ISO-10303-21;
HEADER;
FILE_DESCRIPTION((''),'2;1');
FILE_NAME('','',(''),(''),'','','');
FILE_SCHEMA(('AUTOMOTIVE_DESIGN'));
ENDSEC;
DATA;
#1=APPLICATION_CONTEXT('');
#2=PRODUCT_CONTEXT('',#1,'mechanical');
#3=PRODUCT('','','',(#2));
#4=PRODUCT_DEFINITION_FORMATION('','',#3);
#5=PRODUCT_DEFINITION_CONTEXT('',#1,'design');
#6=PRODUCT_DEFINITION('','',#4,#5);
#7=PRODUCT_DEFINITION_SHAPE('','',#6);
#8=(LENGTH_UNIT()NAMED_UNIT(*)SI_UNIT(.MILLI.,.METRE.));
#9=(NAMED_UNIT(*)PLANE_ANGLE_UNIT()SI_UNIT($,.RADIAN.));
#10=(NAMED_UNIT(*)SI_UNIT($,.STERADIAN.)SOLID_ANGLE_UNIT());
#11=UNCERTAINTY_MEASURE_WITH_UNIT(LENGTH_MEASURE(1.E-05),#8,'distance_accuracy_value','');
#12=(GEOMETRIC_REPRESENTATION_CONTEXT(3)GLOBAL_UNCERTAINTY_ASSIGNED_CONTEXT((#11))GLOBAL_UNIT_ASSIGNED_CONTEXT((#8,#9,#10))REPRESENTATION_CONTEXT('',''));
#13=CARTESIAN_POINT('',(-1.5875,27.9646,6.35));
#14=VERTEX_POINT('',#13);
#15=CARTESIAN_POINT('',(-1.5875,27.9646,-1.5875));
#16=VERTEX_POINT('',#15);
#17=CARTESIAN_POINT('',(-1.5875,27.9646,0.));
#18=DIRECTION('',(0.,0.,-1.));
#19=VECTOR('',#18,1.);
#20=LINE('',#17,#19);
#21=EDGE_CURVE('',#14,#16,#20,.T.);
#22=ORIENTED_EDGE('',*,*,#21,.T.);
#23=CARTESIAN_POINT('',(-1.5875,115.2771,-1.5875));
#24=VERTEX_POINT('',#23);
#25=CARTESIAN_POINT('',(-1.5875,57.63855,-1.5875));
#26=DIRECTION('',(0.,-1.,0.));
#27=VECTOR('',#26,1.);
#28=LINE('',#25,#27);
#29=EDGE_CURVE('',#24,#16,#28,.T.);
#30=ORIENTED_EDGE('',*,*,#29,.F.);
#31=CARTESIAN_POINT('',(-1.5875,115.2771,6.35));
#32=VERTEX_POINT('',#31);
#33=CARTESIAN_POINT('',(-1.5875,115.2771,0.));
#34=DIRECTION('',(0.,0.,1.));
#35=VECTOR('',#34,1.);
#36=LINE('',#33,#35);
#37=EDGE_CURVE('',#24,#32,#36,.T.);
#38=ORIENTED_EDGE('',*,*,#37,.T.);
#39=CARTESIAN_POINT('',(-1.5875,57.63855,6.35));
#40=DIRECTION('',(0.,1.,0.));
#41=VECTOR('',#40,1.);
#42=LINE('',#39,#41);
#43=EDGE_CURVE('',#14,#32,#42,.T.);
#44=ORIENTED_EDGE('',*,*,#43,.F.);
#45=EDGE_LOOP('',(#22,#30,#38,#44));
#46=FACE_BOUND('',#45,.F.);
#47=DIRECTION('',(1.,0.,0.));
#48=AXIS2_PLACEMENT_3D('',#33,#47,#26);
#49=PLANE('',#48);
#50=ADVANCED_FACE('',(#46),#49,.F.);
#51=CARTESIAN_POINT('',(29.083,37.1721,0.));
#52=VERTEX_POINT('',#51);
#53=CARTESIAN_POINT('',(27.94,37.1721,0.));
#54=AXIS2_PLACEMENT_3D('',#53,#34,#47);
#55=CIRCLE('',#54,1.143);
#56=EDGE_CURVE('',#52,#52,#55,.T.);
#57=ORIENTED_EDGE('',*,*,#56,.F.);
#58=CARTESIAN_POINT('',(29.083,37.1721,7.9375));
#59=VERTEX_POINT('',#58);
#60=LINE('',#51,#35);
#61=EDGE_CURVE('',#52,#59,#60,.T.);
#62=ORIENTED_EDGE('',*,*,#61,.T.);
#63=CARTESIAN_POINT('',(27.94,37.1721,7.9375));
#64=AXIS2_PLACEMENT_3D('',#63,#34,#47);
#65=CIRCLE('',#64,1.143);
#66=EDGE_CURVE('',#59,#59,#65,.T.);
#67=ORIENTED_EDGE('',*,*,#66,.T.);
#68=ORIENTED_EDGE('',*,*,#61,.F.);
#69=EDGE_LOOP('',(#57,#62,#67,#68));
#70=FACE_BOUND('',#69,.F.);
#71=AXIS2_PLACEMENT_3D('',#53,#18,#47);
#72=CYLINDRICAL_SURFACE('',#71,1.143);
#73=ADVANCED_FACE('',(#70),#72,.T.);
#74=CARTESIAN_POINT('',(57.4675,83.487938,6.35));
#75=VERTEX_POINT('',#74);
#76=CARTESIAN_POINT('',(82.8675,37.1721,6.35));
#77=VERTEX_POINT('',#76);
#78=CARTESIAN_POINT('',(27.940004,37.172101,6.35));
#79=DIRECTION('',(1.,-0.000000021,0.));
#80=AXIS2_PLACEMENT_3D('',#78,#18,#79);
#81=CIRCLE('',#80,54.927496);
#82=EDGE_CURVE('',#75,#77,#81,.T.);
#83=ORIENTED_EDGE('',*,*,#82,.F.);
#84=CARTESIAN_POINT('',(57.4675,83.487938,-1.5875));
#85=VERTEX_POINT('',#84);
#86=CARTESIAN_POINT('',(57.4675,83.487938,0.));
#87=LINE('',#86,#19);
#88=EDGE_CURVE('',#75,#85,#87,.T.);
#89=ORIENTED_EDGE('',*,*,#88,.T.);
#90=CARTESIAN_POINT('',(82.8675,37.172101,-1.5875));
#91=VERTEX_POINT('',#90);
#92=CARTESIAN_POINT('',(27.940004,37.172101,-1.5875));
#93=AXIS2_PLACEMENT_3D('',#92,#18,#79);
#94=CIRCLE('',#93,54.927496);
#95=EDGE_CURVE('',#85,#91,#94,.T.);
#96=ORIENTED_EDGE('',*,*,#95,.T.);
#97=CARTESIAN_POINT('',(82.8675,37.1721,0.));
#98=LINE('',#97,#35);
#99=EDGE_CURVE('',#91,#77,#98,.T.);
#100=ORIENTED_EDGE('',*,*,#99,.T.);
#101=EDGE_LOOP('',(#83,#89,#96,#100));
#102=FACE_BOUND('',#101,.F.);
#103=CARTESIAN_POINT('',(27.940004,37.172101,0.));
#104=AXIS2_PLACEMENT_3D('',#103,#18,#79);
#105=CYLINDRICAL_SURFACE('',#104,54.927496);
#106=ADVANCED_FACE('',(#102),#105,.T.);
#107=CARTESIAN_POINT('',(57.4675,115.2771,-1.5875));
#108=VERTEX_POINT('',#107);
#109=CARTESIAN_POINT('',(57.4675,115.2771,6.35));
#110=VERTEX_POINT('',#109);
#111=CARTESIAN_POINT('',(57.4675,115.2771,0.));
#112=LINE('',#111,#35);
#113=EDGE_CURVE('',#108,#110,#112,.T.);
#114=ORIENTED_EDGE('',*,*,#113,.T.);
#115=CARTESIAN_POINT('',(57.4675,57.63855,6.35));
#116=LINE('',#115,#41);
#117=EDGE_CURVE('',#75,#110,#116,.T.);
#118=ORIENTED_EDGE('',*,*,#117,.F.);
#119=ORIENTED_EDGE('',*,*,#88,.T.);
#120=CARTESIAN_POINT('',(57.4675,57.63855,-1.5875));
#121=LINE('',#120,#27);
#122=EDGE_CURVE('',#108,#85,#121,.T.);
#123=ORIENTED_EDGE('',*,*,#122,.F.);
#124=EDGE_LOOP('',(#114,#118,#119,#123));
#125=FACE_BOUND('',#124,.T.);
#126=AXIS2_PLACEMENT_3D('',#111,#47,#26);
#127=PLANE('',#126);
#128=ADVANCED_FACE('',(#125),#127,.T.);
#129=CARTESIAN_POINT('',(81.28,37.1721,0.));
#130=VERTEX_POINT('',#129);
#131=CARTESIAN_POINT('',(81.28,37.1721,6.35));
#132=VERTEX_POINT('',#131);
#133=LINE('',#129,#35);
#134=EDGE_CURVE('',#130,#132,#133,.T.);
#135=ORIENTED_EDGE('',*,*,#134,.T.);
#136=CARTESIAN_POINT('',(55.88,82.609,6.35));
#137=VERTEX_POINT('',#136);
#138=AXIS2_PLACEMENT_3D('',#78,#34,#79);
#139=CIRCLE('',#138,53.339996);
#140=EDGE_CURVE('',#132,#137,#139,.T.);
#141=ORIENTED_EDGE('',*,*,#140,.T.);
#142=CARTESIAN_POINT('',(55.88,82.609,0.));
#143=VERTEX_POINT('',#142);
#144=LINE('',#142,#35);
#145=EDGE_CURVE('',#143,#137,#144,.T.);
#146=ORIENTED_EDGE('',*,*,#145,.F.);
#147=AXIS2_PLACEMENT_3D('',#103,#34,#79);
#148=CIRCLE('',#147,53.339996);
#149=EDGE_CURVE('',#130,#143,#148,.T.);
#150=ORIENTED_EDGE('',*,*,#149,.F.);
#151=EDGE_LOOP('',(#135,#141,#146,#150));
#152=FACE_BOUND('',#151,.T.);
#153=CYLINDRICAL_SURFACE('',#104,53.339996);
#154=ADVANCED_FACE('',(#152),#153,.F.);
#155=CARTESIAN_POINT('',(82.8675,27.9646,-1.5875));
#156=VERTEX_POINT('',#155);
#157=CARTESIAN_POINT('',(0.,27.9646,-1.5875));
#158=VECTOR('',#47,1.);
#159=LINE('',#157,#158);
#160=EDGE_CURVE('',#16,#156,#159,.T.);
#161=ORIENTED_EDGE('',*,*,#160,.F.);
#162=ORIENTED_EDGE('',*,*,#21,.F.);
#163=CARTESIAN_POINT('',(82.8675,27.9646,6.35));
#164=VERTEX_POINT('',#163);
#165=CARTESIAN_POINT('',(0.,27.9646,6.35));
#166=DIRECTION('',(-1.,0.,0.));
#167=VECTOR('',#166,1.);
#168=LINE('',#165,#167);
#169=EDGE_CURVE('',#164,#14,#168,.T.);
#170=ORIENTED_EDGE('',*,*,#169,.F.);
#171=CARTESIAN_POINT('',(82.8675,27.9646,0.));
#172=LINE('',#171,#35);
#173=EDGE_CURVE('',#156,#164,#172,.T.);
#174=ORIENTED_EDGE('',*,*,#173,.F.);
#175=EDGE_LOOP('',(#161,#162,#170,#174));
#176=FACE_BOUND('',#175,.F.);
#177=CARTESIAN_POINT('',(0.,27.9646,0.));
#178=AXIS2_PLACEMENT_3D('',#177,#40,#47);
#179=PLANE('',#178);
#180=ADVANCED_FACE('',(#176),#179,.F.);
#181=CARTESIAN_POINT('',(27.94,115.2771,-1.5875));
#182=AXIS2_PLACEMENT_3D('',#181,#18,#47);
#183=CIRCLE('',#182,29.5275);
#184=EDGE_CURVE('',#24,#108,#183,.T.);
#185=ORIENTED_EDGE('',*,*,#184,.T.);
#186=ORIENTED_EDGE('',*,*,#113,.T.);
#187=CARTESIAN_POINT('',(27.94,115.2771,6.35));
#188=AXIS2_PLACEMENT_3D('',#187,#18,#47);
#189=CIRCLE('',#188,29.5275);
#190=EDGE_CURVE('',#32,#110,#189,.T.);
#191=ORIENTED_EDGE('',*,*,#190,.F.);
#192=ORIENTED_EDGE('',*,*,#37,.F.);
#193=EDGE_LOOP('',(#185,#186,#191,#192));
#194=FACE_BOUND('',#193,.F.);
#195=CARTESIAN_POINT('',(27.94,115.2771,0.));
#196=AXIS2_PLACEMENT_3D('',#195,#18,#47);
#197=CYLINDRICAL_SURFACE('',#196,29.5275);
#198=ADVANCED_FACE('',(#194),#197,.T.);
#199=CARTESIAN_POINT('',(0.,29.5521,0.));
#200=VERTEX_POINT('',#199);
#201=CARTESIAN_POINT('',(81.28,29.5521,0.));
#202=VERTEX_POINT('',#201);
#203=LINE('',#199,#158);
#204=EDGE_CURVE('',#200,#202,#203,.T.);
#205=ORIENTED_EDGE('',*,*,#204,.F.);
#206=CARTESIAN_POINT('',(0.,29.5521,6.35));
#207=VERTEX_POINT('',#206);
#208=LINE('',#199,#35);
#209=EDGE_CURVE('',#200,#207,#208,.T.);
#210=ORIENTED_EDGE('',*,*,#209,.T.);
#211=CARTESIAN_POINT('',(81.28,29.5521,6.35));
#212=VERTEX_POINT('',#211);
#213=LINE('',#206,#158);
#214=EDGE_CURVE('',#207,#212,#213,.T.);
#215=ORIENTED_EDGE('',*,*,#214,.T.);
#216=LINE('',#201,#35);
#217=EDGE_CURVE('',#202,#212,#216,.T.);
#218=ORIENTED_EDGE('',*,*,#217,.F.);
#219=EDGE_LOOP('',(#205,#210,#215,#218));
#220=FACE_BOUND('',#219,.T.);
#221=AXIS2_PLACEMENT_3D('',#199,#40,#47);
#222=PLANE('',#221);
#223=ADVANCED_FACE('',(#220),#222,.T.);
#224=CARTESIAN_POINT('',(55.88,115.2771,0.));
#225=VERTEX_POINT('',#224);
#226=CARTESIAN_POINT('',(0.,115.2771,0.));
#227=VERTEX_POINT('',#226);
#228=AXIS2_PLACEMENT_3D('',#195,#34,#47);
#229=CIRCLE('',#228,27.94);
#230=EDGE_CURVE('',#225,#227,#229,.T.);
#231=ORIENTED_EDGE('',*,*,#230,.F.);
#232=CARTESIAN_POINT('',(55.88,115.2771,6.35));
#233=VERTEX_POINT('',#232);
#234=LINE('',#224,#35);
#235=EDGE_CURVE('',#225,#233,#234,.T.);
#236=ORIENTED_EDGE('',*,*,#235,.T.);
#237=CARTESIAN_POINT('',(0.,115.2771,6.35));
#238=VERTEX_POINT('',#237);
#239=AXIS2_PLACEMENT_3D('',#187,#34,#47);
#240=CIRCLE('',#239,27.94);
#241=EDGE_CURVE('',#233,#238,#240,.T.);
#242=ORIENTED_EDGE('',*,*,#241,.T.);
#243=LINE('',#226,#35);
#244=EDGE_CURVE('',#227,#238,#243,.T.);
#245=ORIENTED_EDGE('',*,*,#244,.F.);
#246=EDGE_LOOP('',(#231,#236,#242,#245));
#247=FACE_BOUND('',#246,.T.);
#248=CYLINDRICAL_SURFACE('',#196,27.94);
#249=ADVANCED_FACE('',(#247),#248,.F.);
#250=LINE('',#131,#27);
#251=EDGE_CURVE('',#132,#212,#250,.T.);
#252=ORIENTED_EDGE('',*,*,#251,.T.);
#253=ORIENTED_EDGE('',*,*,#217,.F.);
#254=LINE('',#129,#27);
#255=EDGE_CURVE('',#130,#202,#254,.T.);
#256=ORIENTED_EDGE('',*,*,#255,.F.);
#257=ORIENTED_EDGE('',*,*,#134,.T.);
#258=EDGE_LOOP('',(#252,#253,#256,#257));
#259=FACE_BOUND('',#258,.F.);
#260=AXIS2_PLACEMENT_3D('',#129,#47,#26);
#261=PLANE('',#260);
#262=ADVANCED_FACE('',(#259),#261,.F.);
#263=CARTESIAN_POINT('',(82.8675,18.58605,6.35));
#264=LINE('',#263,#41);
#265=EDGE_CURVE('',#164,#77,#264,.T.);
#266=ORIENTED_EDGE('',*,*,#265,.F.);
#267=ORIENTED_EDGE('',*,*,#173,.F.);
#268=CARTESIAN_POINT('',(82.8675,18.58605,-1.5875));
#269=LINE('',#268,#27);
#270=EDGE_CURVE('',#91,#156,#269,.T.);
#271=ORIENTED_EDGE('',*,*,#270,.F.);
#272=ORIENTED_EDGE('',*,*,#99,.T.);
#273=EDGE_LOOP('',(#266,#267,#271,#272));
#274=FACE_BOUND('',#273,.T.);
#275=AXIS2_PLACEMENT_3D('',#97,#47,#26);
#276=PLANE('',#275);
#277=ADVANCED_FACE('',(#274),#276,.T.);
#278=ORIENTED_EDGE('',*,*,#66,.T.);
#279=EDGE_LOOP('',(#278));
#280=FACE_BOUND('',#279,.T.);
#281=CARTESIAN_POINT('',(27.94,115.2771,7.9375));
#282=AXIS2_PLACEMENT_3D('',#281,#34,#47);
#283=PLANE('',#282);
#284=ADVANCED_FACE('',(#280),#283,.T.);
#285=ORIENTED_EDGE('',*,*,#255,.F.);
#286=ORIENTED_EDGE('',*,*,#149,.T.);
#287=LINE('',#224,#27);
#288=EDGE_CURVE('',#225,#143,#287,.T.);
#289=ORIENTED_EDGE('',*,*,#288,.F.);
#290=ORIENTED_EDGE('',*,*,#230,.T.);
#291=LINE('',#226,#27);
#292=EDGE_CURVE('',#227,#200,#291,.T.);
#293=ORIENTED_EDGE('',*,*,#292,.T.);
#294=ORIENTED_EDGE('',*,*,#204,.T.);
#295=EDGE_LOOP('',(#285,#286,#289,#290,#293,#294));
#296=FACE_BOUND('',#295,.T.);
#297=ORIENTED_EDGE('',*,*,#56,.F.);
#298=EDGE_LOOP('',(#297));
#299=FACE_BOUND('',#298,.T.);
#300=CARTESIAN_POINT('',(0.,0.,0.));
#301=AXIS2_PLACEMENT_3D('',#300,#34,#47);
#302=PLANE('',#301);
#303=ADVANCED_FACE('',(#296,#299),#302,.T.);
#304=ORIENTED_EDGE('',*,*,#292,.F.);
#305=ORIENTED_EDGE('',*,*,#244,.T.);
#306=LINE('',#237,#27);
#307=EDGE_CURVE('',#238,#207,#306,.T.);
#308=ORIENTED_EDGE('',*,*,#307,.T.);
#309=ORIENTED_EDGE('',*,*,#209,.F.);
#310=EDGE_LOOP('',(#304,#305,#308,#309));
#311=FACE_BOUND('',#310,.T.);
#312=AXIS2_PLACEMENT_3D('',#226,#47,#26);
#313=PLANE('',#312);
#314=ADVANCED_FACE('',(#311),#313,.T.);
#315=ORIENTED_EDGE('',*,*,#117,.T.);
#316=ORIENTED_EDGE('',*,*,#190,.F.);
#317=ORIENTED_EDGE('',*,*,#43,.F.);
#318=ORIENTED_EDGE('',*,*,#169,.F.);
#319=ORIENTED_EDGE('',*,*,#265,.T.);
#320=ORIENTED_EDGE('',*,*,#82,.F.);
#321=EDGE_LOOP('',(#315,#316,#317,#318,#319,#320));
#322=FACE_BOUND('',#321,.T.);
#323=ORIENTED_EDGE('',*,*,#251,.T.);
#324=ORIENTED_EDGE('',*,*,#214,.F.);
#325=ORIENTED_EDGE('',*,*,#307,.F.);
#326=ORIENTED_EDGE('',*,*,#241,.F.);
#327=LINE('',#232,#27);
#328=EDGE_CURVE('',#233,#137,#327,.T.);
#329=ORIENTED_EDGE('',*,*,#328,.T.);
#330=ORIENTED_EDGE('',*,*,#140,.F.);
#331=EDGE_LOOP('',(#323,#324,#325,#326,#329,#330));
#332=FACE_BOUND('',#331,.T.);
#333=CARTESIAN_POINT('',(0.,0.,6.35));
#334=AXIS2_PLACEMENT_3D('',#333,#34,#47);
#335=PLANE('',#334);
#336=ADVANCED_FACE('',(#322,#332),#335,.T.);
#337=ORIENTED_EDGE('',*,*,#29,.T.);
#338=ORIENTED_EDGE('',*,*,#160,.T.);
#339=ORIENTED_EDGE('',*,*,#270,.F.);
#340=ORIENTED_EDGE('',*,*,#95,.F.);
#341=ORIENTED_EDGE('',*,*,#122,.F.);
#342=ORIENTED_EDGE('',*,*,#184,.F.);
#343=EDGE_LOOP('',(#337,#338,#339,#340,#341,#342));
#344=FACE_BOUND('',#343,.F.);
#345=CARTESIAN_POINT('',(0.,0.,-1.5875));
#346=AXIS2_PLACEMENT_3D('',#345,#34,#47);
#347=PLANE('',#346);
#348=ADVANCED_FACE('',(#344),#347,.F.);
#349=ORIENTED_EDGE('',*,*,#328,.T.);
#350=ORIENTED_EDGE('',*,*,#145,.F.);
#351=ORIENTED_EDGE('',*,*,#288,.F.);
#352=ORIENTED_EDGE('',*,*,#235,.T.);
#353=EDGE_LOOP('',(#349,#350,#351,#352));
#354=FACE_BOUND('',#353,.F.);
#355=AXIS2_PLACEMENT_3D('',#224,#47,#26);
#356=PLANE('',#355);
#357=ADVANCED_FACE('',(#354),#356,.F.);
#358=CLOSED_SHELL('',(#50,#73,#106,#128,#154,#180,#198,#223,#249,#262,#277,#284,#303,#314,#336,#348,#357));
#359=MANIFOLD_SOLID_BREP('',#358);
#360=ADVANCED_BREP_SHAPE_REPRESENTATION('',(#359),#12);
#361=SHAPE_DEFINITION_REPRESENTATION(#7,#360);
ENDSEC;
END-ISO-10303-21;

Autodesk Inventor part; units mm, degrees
ref_plane "YZ Plane" through (0, 0, 0) normal (1, 0, 0) x (0, 1, 0)
ref_plane "XZ Plane" through (0, 0, 0) normal (0, 1, 0) x (-1, 0, 0)
ref_plane "XY Plane" through (0, 0, 0) normal (0, 0, 1) x (1, 0, 0)
sketch "Outline" plane through (0, 0, 0) normal (0, 0, 1) x (1, 0, 0)
  line L0 (0, 37.1721) -> (55.88, 37.1721) construction
  line L1 (55.88, 37.1721) -> (55.88, 115.2771) construction
  line L2 (55.88, 115.2771) -> (0, 115.2771) construction
  line L3 (0, 115.2771) -> (0, 37.1721) construction
  circle A0 centre (27.94, 115.2771) radius 26.67 construction
  circle A1 centre (27.94, 37.1721) radius 52.07 construction
  circle A2 centre (27.94, 115.2771) radius 27.94 construction
  circle A3 centre (27.94, 37.1721) radius 53.34 construction
  arc A4 (55.88, 115.2771) -> (0, 115.2771) centre (27.94, 115.2771) ccw
  line L4 (55.88, 115.2771) -> (55.88, 82.609)
  arc A5 (81.28, 37.1721) -> (55.88, 82.609) centre (27.94, 37.1721) ccw
  line L5 (142.2611, 29.5521) -> (-127.7704, 29.5521) construction
  line L6 (81.28, 37.1721) -> (81.28, 29.5521)
  line L7 (0, 29.5521) -> (81.28, 29.5521)
  line L8 (0, 115.2771) -> (0, 29.5521)
  dimension "d20" = 78.105
  dimension "d23" = 104.14
  dimension "d25" = 53.34
  dimension "d27" = 1.27
  dimension "d28" = 55.88
  dimension "d29" = 55.88
  dimension "d30" = 1.27
  dimension "d31" = 7.62
extrude "Edge Ext" add sketch "Outline" along normal blind 6.35
shell "Edge_Shell" thickness 1.5875 outward yes removed faces 1 at (18.6267, 75.8128, 6.35)
sketch "Pegs" plane through (27.94, 115.2771, 0) normal (0, 0, 1) x (1, 0, 0)
  arc A0 (53.34, -78.105) -> (27.94, -32.6681) centre (0, -78.105) ccw projected
  circle A1 centre (0, -78.105) radius 1.143
  point P0 (-27.94, -115.2771)
  dimension "d36" = 2.286
extrude "Pegs_Ext" add sketch "Pegs" along normal blind 7.9375
sketch "Sketch3" plane through (27.94, 115.2771, 0) normal (0, 0, 1) x (1, 0, 0)
  circle A0 centre (0, -78.105) radius 1.143 projected
  arc A1 (27.94, 0) -> (-27.94, 0) centre (0, 0) ccw projected
  line L0 (-27.94, 0) -> (-27.94, -85.725) projected
  line L1 (-27.94, -85.725) -> (53.34, -85.725) projected
  line L2 (53.34, -85.725) -> (53.34, -78.105) projected
  arc A2 (53.34, -78.105) -> (27.94, -32.6681) centre (0, -78.105) ccw projected
  line L3 (27.94, -32.6681) -> (27.94, 0) projected
  line L4 (46.559, 0) -> (-50.3798, 0) construction
  line L5 (0, 35.3546) -> (0, -92.7907) construction
  circle A3 centre (0, 0) radius 27.94 construction
  line L6 (46.559, 3.175) -> (-50.3798, 3.175) construction
  line L7 (46.559, -3.175) -> (-50.3798, -3.175) construction
  line L8 (-27.94, 3.175) -> (27.94, 3.175)
  line L9 (27.94, 3.175) -> (27.94, -3.175)
  line L10 (27.94, -3.175) -> (-27.94, -3.175)
  line L11 (-27.94, -3.175) -> (-27.94, 3.175)
  line L12 (3.175, 35.3546) -> (3.175, -85.725) construction
  line L13 (-3.175, 35.3546) -> (-3.175, -92.7907) construction
  line L14 (-3.175, 27.94) -> (3.175, 27.94)
  line L15 (3.175, 27.94) -> (3.175, -85.725)
  line L16 (3.175, -85.725) -> (-3.175, -85.725)
  line L17 (-3.175, -85.725) -> (-3.175, 27.94)
  arc A4 (27.94, 0) -> (-27.94, 0) centre (0, 0) ccw projected
  line L18 (0, -78.105) -> (73.8592, -78.105) construction
  line L19 (0, -78.105) -> (-73.8592, -78.105) construction
  line L20 (71.8226, -74.93) -> (-43.3054, -74.93) construction
  line L21 (71.8226, -81.28) -> (-43.3054, -81.28) construction
  line L22 (-27.94, -74.93) -> (53.34, -74.93)
  line L23 (53.34, -74.93) -> (53.34, -81.28)
  line L24 (53.34, -81.28) -> (-27.94, -81.28)
  line L25 (-27.94, -81.28) -> (-27.94, -74.93)
  arc A5 (53.34, -78.105) -> (27.94, -32.6681) centre (0, -78.105) ccw projected
  line L26 (-27.94, -85.725) -> (-27.94, 0) projected
  point P0 (-27.94, -115.2771)
  dimension "d39" = 3.175
  dimension "d40" = 3.175
  dimension "d41" = 55.88
  dimension "d42" = 55.88
  dimension "d43" = 3.175
  dimension "d44" = 3.175
  dimension "d45" = 113.665
  dimension "d46" = 113.665
  dimension "d47" = 3.175
equation "\"d29\" = d28"
equation "\"d41\" = d42"
equation "\"d46\" = d45"
properties part number "housing"
